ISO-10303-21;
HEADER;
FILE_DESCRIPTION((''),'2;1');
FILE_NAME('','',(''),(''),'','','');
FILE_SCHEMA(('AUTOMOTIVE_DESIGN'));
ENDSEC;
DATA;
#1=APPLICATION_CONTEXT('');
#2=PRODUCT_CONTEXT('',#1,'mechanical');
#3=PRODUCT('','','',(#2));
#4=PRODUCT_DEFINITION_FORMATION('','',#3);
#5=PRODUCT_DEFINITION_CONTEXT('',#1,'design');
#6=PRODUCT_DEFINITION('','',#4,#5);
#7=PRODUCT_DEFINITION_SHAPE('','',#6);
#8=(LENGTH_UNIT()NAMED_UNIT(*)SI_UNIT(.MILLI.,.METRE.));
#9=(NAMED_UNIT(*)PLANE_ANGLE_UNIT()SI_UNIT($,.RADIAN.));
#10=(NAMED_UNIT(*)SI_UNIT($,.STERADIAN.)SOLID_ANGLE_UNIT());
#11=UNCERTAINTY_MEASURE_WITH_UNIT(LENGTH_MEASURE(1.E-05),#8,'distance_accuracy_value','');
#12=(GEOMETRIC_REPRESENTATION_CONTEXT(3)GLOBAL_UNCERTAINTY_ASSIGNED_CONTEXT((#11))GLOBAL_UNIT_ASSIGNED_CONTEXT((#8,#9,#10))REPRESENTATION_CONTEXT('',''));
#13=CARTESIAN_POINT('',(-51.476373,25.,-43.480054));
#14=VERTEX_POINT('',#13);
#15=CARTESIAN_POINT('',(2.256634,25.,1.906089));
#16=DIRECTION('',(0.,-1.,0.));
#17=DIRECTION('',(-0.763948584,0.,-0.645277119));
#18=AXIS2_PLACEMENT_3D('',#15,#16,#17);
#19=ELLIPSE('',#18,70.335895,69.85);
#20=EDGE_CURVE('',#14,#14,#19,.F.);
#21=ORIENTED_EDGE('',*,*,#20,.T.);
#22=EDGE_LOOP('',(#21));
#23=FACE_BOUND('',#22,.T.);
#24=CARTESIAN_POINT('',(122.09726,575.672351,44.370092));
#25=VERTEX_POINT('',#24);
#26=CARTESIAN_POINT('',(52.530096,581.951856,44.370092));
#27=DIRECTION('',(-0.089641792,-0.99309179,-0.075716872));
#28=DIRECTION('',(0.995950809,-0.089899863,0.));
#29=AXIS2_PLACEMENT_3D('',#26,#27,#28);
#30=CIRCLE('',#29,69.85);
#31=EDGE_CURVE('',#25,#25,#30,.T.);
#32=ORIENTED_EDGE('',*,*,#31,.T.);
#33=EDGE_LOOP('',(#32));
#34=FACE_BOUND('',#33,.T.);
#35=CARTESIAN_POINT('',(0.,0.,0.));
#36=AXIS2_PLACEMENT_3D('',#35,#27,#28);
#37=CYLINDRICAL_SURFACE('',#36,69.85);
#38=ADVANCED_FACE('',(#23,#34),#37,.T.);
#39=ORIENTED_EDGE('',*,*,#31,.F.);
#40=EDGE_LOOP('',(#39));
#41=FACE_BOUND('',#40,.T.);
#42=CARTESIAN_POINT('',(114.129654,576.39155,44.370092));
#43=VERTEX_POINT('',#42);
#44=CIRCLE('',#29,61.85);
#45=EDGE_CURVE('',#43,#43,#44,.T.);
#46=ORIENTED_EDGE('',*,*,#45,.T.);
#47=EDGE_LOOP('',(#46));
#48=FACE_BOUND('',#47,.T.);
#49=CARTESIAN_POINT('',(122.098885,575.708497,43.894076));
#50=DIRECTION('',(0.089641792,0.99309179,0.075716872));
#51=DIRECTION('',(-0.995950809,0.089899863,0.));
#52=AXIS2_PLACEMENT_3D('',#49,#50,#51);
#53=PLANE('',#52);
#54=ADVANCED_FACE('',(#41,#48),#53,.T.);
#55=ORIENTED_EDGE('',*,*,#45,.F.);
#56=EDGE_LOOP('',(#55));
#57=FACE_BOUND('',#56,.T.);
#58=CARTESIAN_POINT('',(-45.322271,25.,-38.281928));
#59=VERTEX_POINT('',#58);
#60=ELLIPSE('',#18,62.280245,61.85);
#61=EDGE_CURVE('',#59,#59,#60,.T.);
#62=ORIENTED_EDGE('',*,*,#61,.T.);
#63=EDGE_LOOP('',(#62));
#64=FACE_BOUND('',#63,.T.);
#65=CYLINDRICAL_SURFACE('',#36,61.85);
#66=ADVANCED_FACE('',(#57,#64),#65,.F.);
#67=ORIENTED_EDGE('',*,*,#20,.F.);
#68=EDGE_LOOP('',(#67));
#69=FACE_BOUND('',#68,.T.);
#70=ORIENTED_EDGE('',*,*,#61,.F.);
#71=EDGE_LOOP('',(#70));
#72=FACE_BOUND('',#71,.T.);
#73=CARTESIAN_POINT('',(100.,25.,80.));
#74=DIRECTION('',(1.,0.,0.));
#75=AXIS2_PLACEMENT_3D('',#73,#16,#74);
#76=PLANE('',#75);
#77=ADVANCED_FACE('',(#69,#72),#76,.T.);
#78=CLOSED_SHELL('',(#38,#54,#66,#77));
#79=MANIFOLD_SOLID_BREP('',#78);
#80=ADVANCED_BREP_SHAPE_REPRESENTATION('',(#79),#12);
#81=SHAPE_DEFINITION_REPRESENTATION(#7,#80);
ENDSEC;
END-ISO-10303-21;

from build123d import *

# Parameters (mm, degrees)
SKIZZE5_W                            = 200
SKIZZE5_H                            = 50
SCHNITT_LINEAR_AUSTRAGEN1_DEPTH      = 80
SCHNITT_LINEAR_AUSTRAGEN1_DEPTH_BACK = 80


with BuildPart() as part:
    # Skizze4 → Rotation1 (revolve)
    with BuildSketch(Plane(origin=(0, 0, 0), x_dir=(1, 0, 0), z_dir=(0, -0.076022935, 0.997106069)), mode=Mode.PRIVATE) as rotation1_sk:
        Polygon((114.131092539, 578.096527722), (61.60099626, -5.544344847), (69.568788824, -6.261479185), (122.098885103, 577.379393384), align=None)
    revolve(rotation1_sk.sketch.rotate(Axis((0, 0, 0), (0.089641792, 0.99309179, 0.075716872)), 359.608411729), axis=Axis((0, 0, 0), (0.089641792, 0.99309179, 0.075716872)))  # turned: the seam where the file's is

    # Skizze5 → Schnitt-Linear austragen1 (cut, two sides)
    with BuildSketch(Plane.XY) as schnitt_linear_austragen1_sk:
        Rectangle(SKIZZE5_W, SKIZZE5_H)
    extrude(amount=SCHNITT_LINEAR_AUSTRAGEN1_DEPTH, mode=Mode.SUBTRACT)
    extrude(schnitt_linear_austragen1_sk.sketch, amount=-SCHNITT_LINEAR_AUSTRAGEN1_DEPTH_BACK, mode=Mode.SUBTRACT)


solid = part.part
